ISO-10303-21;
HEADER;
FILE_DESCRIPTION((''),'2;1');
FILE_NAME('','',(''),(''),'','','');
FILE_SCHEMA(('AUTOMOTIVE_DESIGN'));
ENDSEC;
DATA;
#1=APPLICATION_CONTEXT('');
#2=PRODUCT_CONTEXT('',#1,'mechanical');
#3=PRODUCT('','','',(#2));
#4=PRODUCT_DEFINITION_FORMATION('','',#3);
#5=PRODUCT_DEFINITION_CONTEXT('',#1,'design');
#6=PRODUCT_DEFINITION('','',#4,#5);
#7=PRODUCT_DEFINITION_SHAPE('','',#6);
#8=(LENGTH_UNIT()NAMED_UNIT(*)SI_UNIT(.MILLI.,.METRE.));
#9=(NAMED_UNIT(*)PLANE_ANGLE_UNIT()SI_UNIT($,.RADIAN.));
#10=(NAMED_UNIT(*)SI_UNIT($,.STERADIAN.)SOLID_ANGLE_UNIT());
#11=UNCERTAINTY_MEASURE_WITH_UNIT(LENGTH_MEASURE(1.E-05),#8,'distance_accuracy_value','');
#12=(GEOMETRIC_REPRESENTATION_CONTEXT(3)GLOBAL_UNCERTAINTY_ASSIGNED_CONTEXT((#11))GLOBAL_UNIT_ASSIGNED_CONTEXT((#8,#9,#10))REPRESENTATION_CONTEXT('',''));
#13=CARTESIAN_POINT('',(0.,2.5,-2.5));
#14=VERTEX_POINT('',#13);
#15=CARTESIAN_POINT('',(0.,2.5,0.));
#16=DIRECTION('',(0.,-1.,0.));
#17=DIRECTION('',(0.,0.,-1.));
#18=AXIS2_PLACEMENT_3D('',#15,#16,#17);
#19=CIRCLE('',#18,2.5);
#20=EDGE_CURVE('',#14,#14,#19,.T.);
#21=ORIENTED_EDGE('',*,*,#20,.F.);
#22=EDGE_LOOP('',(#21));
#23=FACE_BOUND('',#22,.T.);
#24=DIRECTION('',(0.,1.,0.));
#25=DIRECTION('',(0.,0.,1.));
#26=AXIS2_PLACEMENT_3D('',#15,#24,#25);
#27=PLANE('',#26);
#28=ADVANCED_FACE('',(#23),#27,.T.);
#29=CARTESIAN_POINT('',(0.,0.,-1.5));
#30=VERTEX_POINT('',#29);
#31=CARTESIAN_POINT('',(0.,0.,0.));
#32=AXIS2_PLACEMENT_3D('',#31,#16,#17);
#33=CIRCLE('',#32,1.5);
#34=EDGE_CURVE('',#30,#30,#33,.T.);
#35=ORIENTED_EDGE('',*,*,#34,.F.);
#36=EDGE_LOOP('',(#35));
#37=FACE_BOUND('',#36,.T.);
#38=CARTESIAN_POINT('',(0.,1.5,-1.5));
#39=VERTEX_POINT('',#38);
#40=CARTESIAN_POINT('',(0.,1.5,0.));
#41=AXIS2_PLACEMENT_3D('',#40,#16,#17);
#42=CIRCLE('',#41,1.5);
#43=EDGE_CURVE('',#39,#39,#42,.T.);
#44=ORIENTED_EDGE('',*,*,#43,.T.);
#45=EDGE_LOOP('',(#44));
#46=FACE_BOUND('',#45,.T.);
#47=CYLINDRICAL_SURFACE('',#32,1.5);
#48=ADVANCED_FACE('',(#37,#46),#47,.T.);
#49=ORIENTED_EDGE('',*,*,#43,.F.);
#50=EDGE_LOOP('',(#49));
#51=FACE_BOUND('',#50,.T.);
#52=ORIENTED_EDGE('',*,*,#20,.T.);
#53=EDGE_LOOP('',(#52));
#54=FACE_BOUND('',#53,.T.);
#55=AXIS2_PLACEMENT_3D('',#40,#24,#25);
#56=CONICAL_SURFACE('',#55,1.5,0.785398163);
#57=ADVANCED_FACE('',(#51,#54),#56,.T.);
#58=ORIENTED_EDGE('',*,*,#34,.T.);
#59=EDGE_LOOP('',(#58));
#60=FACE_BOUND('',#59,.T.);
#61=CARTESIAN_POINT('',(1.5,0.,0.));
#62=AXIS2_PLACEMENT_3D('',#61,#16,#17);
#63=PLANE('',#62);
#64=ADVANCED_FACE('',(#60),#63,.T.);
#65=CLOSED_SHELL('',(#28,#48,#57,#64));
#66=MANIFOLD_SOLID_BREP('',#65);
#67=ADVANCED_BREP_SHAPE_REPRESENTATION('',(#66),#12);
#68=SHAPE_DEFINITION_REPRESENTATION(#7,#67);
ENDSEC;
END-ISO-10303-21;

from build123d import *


with BuildPart() as part:
    # Sketch1 → Revolve1 (revolve)
    with BuildSketch(Plane.XY):
        Polygon((0, 0), (0, 2.5), (2.5, 2.5), (1.5, 1.5), (1.5, 0), align=None)
    revolve(axis=Axis((0, 0, 0), (0, 1, 0)))


solid = part.part
